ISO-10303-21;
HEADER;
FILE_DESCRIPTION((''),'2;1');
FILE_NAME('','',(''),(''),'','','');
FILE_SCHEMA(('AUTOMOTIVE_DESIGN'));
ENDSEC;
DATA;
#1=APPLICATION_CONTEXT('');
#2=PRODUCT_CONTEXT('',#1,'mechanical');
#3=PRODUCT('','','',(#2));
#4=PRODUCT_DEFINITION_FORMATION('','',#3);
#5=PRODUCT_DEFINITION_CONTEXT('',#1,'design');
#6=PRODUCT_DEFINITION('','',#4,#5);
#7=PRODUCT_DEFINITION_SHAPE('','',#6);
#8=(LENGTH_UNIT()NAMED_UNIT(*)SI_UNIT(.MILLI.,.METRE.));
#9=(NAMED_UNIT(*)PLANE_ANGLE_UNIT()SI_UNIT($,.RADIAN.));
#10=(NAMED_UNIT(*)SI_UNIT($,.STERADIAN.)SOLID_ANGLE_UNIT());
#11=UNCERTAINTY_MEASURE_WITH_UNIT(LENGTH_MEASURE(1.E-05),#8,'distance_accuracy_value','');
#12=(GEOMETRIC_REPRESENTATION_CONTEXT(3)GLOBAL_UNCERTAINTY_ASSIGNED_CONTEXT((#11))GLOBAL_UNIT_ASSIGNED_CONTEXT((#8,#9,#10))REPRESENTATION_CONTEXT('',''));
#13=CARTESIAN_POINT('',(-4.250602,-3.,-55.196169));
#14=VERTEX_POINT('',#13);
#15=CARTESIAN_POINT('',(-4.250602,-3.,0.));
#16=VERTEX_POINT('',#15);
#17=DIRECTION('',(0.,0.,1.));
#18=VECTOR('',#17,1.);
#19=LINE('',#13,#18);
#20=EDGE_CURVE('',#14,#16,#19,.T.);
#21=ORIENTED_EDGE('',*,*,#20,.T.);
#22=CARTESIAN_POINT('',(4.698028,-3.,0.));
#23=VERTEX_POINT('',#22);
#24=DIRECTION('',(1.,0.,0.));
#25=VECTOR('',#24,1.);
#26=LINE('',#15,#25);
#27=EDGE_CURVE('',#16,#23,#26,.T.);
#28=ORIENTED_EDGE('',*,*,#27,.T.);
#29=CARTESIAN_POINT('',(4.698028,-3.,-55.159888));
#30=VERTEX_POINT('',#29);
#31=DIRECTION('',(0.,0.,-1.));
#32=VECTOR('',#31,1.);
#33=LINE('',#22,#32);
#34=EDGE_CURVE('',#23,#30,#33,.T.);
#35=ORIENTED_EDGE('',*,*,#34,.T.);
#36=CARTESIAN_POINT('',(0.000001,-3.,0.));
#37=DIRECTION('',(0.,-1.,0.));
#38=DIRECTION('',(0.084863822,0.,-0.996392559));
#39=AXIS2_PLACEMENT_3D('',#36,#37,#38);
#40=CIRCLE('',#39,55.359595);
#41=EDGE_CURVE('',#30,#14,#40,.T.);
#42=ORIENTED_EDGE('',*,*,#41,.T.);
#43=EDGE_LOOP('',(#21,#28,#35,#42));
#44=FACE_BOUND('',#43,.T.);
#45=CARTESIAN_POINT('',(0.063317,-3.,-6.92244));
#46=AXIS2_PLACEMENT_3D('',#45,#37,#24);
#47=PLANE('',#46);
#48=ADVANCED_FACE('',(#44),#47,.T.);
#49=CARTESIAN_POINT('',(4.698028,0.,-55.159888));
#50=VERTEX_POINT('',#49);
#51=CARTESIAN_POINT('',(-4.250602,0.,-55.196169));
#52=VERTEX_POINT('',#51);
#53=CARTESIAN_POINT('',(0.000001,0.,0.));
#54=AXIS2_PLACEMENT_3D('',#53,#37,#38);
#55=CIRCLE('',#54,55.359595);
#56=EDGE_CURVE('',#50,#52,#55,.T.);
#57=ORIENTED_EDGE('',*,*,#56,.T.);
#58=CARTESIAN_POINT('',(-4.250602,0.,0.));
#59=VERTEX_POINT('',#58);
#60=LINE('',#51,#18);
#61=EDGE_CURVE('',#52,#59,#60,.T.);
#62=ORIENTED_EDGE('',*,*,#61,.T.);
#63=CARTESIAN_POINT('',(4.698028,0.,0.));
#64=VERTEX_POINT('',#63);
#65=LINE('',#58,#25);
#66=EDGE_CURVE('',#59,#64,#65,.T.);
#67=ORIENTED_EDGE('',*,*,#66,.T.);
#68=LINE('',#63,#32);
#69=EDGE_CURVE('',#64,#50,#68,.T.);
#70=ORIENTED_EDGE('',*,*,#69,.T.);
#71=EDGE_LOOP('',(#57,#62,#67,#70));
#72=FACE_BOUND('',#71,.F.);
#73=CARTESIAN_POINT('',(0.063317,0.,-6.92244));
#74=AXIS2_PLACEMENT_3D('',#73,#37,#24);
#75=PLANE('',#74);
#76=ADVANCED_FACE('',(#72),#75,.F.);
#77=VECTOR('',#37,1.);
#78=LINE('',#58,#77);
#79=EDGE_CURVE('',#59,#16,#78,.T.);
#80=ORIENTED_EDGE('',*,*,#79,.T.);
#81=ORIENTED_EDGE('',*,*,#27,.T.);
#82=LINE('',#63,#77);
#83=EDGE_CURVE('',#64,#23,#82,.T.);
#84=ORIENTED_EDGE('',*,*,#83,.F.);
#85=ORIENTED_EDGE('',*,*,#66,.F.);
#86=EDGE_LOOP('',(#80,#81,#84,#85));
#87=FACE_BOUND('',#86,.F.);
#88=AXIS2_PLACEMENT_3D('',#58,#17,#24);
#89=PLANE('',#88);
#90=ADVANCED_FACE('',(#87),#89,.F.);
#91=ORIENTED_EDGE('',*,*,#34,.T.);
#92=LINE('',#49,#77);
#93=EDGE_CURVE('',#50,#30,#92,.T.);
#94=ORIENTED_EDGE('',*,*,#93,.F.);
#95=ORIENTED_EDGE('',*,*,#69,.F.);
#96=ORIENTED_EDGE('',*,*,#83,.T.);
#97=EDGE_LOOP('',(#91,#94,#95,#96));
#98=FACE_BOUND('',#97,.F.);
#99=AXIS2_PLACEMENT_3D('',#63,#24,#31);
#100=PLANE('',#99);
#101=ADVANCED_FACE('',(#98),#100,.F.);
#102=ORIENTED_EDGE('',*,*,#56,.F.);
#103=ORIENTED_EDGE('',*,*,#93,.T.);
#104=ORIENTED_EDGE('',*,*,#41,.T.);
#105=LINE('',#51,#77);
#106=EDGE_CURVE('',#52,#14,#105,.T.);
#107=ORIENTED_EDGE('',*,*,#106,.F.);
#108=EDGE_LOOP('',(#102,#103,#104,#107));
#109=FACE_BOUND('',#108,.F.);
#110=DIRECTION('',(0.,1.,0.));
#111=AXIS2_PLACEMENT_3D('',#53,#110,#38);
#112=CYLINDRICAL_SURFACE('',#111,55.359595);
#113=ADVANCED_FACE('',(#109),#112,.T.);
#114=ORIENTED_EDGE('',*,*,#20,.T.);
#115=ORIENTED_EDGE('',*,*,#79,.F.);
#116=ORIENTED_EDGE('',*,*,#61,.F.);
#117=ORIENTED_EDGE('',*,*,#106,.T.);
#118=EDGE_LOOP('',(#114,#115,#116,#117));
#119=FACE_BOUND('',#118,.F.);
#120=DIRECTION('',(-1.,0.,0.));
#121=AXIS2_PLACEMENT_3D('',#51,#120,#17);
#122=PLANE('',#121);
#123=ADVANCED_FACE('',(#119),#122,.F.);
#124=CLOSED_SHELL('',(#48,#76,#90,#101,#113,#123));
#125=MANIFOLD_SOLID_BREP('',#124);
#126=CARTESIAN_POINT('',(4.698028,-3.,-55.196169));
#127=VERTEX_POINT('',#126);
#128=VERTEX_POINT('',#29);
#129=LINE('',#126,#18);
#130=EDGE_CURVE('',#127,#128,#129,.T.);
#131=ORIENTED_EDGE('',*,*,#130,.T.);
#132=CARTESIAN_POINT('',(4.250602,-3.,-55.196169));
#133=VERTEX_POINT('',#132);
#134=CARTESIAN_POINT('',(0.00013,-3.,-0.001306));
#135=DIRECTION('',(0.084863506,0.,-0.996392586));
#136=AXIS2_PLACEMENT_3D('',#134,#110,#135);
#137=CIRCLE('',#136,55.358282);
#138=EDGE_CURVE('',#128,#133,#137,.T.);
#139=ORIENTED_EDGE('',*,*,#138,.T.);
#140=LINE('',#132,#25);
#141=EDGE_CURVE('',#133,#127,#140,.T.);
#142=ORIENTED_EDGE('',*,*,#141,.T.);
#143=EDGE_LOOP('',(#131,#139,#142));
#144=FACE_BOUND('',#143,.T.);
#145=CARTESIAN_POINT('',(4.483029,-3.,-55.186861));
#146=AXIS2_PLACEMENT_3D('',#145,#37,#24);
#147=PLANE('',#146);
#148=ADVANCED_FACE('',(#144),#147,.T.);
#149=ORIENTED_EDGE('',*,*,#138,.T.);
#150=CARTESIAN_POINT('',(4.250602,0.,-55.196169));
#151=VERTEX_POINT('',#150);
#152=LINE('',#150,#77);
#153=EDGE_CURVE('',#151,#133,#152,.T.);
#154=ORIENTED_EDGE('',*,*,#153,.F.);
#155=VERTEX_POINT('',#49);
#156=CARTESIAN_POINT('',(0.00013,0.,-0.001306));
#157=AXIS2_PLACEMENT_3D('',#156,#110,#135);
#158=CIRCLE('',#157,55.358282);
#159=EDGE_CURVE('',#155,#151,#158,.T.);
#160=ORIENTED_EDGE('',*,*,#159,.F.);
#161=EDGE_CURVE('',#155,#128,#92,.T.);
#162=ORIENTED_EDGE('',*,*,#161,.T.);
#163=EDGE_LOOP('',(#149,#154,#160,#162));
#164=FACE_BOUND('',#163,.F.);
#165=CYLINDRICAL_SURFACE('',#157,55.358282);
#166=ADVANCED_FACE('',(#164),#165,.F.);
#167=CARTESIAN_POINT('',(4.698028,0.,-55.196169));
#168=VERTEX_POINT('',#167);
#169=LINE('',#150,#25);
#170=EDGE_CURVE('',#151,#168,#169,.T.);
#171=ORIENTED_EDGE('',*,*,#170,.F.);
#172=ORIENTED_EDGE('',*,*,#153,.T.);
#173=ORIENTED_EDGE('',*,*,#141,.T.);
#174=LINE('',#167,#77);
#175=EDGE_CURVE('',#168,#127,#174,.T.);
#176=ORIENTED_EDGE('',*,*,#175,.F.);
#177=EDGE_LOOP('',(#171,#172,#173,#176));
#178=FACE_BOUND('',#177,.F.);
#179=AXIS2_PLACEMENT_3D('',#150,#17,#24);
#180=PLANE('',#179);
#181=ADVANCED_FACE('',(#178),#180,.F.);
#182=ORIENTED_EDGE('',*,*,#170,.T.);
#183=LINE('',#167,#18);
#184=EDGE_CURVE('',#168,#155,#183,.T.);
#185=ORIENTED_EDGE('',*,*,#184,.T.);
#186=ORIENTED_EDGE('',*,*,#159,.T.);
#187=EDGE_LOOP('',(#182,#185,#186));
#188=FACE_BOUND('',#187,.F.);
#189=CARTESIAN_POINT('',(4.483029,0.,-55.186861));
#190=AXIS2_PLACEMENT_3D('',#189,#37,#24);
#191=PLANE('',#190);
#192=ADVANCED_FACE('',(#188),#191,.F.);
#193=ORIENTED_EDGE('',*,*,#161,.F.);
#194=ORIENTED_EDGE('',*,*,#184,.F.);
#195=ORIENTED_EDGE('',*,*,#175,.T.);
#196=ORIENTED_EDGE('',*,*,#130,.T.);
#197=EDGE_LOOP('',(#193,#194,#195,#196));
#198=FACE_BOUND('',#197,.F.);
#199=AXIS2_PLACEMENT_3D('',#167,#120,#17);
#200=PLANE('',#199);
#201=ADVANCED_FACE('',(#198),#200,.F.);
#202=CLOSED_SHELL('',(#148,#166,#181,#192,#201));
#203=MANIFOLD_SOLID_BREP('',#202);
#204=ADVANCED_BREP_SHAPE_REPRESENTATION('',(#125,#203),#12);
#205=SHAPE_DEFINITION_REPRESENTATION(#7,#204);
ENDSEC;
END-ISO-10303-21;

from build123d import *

# Parameters (mm, degrees)
F1_DEPTH = 3


with BuildPart() as f1:
    # F0 (on Front) → F1 (new body)
    with BuildSketch(Plane.XZ):
        with BuildLine():
            Line((4.698028, 0), (4.698028, -55.159888))
            ThreePointArc((4.698028, -55.159888), (-0.224447, 55.35914), (-4.250602, -55.196169))
            Line((-4.250602, -55.196169), (-4.250602, 0))
            Line((-4.250602, 0), (4.698028, 0))
        make_face()
        with BuildLine():
            ThreePointArc((4.698028, -55.159888), (4.474352, -55.178482), (4.250602, -55.196169))
            Line((4.250602, -55.196169), (4.698028, -55.196169))
            Line((4.698028, -55.196169), (4.698028, -55.159888))
        make_face()
    extrude(amount=F1_DEPTH)


solid = f1.part
